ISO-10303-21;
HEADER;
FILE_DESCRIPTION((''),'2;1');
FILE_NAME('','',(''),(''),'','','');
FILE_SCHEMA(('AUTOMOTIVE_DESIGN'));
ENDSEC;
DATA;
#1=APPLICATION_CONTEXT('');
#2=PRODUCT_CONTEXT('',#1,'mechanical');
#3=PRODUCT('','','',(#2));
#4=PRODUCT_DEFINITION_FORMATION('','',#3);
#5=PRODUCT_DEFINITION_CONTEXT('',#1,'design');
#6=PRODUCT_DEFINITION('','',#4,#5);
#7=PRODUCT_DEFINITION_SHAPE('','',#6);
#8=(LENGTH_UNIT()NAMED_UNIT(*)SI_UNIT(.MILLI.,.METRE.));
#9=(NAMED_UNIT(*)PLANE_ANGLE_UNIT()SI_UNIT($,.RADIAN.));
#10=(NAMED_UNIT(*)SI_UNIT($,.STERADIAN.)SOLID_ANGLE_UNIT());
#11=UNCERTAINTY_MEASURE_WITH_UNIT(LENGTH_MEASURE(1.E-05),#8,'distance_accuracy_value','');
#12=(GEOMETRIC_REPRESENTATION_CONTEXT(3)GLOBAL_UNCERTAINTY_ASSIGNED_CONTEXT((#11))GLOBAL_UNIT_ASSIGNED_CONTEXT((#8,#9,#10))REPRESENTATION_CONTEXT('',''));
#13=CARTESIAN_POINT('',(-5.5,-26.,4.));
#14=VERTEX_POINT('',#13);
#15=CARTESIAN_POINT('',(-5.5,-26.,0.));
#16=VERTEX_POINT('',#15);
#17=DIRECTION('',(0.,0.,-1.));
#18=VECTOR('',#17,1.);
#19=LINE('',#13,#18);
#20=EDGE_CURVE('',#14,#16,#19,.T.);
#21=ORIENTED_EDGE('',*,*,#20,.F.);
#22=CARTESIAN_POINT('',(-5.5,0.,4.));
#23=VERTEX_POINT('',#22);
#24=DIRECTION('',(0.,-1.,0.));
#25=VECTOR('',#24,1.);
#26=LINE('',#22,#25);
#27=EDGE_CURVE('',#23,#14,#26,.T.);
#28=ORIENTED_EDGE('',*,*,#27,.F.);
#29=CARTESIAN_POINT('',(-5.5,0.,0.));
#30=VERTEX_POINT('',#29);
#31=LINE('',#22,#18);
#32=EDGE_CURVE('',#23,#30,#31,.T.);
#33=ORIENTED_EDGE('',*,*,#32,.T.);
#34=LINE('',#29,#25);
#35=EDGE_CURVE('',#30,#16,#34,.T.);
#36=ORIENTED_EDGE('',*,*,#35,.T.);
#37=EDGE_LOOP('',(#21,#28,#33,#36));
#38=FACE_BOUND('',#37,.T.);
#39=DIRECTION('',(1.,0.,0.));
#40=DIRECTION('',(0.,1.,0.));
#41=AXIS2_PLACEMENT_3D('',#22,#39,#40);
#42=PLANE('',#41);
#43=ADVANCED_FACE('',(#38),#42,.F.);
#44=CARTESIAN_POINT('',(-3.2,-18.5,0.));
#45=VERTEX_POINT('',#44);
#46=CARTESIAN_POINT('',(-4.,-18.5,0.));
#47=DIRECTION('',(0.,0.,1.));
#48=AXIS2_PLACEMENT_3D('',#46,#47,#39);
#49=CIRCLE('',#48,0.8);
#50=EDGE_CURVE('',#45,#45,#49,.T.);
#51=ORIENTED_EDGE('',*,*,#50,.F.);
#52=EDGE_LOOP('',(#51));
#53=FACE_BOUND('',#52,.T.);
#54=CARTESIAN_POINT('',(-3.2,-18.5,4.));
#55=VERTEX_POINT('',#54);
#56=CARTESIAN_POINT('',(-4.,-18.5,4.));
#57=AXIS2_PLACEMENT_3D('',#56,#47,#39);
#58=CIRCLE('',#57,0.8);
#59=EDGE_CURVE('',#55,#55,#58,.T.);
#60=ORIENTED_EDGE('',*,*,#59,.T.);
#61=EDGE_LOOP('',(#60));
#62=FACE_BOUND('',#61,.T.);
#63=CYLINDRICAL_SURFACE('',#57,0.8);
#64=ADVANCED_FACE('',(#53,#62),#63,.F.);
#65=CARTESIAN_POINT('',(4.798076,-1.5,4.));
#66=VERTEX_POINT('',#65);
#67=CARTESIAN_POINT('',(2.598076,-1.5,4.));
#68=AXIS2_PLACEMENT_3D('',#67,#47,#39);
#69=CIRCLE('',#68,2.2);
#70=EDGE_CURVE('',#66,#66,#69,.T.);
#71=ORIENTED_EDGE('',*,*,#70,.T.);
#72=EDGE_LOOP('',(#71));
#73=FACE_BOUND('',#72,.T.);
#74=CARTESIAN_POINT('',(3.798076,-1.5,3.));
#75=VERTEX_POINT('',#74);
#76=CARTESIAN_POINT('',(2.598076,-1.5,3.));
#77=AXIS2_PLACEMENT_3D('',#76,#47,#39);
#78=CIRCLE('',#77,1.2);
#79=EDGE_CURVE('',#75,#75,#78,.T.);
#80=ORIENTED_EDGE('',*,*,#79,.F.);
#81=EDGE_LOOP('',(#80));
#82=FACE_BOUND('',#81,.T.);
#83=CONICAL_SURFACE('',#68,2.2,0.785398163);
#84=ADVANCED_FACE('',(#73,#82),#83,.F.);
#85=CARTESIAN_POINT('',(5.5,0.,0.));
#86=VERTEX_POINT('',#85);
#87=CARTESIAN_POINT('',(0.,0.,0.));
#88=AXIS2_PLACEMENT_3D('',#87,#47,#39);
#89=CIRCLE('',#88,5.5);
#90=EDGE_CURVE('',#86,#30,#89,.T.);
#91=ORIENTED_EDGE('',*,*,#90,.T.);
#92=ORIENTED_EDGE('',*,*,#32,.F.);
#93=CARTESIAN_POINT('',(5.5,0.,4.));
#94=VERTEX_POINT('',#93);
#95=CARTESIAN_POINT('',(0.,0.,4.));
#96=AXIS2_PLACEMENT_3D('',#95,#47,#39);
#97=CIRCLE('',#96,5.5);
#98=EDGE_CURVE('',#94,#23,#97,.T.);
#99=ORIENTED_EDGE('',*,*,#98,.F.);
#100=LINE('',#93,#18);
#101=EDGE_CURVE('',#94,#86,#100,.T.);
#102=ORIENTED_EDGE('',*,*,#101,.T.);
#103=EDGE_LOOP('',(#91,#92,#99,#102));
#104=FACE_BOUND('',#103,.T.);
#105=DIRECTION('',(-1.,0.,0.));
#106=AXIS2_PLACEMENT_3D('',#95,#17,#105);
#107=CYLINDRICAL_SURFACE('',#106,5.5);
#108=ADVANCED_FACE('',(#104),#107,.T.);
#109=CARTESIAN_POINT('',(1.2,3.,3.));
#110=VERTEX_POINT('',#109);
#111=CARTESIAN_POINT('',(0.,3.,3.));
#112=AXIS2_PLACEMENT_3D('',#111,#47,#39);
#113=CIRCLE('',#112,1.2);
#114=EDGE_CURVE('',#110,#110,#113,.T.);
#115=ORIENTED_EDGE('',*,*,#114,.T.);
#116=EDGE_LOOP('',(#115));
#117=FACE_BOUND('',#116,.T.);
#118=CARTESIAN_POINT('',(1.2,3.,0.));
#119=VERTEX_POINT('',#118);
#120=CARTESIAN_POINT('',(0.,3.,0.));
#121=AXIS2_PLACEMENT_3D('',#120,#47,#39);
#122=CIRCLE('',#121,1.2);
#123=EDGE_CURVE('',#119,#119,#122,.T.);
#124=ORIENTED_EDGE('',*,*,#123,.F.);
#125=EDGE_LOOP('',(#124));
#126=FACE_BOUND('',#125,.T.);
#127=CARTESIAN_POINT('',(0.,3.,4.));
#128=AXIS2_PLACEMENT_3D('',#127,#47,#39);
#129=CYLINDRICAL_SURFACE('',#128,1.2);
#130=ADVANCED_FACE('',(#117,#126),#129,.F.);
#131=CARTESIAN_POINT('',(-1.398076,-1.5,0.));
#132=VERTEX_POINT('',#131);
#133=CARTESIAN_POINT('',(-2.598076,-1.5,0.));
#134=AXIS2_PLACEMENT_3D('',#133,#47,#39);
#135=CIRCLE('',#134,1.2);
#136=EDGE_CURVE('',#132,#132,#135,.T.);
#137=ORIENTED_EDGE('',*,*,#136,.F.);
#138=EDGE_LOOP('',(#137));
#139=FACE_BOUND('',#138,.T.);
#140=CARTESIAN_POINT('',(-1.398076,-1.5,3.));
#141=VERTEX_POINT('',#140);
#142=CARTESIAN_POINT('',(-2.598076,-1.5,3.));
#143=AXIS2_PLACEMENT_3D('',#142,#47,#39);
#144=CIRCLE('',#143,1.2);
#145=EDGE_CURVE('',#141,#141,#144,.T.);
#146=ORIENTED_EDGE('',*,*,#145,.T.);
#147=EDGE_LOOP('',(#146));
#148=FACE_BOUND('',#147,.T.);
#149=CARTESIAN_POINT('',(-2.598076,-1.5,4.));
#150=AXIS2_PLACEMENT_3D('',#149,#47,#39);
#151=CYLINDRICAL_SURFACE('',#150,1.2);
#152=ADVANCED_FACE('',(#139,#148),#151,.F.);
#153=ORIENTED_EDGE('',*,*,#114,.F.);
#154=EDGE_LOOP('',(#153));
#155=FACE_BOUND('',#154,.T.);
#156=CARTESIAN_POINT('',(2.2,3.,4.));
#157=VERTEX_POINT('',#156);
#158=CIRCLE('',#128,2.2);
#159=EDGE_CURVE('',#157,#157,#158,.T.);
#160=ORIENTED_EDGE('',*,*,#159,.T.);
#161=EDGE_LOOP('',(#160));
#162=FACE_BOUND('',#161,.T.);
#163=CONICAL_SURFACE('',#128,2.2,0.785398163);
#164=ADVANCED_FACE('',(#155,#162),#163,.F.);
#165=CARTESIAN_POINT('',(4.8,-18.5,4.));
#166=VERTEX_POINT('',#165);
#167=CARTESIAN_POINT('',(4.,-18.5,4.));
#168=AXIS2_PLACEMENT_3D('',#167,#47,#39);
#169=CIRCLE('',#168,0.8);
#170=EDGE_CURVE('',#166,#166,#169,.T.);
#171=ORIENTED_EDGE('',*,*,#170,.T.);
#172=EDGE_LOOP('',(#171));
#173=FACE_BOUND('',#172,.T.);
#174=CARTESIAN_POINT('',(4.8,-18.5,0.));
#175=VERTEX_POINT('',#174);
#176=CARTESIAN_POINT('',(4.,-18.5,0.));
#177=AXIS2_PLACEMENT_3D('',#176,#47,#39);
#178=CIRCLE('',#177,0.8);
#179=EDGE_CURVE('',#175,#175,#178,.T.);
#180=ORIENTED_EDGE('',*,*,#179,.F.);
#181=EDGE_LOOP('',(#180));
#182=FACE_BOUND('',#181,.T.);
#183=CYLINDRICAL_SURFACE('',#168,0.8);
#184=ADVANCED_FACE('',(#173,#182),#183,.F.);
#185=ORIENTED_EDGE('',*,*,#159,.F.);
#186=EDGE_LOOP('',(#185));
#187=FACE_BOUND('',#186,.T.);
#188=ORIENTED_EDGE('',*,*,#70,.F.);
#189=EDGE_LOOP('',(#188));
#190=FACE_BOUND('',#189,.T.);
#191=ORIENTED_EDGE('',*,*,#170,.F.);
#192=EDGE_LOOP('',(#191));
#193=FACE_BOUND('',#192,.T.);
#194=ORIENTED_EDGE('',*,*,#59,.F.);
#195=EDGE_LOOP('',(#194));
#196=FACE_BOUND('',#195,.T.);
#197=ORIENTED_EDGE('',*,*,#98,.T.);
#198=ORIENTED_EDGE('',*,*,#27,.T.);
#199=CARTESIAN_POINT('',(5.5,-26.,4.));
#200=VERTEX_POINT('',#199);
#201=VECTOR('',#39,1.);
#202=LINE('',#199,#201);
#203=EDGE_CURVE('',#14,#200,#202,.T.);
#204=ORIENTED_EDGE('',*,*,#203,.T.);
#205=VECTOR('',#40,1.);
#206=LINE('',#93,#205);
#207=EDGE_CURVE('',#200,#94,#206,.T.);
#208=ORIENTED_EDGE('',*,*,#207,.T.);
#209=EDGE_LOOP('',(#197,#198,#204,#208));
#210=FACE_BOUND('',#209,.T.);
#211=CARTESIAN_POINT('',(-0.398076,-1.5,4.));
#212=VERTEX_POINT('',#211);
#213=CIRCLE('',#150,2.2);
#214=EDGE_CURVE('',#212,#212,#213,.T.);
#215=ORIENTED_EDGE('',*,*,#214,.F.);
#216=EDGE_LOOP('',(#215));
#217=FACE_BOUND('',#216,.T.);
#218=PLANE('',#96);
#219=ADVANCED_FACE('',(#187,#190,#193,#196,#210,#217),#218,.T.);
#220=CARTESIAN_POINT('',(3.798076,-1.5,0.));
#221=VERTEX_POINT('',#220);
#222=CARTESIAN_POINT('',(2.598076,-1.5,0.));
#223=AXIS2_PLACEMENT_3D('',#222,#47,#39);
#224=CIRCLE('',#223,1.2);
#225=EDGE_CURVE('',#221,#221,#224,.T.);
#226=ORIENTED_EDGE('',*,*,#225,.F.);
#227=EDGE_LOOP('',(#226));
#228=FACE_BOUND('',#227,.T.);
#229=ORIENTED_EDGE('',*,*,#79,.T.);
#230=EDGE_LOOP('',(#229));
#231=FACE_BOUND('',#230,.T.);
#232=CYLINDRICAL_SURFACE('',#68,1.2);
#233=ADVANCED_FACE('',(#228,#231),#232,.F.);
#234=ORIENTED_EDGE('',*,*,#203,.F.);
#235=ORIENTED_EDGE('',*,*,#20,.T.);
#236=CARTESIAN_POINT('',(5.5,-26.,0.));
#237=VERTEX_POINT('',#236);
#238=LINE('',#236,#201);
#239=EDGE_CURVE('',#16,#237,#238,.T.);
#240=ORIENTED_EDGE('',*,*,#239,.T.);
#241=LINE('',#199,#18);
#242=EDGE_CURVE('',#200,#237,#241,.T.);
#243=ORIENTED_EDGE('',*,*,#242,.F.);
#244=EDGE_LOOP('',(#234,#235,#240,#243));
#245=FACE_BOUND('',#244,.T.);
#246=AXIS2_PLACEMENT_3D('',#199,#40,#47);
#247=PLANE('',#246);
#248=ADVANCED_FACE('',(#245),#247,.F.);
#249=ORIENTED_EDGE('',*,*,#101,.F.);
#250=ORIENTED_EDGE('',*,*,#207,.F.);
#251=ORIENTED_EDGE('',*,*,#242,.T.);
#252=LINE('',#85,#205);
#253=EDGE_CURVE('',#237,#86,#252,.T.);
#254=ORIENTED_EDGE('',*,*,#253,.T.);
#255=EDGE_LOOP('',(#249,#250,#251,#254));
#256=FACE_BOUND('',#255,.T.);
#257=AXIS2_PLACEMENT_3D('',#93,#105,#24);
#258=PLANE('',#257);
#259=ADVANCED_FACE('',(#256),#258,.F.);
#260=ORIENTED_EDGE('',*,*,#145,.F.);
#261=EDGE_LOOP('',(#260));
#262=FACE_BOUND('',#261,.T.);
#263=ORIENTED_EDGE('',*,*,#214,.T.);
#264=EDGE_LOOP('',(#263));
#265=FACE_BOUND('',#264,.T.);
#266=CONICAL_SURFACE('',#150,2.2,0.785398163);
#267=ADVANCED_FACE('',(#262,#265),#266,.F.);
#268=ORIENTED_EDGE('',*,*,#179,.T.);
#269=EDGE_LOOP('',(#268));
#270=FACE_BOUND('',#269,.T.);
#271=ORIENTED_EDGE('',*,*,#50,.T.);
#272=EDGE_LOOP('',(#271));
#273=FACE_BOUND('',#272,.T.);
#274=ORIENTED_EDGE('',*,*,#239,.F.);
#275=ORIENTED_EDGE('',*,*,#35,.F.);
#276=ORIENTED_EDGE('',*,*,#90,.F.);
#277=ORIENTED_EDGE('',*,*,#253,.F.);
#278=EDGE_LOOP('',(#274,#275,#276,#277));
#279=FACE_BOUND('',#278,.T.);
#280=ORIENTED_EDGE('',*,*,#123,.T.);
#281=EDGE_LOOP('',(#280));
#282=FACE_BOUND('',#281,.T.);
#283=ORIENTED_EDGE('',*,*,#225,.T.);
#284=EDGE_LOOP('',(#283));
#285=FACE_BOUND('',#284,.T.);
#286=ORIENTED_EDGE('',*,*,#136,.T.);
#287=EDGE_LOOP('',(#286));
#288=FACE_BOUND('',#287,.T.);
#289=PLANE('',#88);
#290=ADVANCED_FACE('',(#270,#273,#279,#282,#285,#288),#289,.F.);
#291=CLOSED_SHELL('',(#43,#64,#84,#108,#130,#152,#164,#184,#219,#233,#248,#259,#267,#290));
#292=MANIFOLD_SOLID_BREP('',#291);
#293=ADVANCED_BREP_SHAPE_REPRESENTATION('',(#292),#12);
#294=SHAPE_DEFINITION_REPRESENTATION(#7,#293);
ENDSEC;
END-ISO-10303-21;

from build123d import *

# Parameters (mm, degrees)
RESSALTO_EXTRUS_O1_DEPTH                             = 4
FURO_ROSCADO_DE_M21_D                                = 1.6
ESCAREADO_PARA_PARAFUSO_COM_CABE_A_ESCAR_D           = 2.4
ESCAREADO_PARA_PARAFUSO_COM_CABE_A_ESCAR_CSINK_D     = 4.4
ESCAREADO_PARA_PARAFUSO_COM_CABE_A_ESCAR_CSINK_ANGLE = 90
PADR_OCIRCULAR1_COUNT                                = 3


with BuildPart() as part:
    # Esboço1 → Ressalto-extrusão1 (new body)
    with BuildSketch(Plane.XY):
        with BuildLine():
            Line((-5.5, 0), (-5.5, -26))
            Line((-5.5, -26), (5.5, -26))
            Line((5.5, -26), (5.5, 0))
            ThreePointArc((5.5, 0), (0, 5.5), (-5.5, 0))
        make_face()
    extrude(amount=RESSALTO_EXTRUS_O1_DEPTH)

    # Furo roscado de M21 (through all)
    with Locations(Plane(origin=(-4, -18.5, 4), x_dir=(1, 0, 0), z_dir=(0, 0, 1))):
        with Locations((0, 0), (8, 0)):
            Hole(FURO_ROSCADO_DE_M21_D / 2)

    # Escareado para parafuso com cabeça escareada chata de M21 (through all)
    with Locations(Plane(origin=(0, 3, 4), x_dir=(1, 0, 0), z_dir=(0, 0, 1))):
        with Locations((0, 0)):
            escareado_para_parafuso_com_cabe_a_escar = CounterSinkHole(ESCAREADO_PARA_PARAFUSO_COM_CABE_A_ESCAR_D / 2, ESCAREADO_PARA_PARAFUSO_COM_CABE_A_ESCAR_CSINK_D / 2, counter_sink_angle=ESCAREADO_PARA_PARAFUSO_COM_CABE_A_ESCAR_CSINK_ANGLE)

    # PadrãoCircular1: Escareado para parafuso com cabeça escareada chata de M21 ×3 about axis
    padr_ocircular1_axis = Axis((0, 0, 0), (0, 0, 1))
    for i in range(1, PADR_OCIRCULAR1_COUNT):
        add(escareado_para_parafuso_com_cabe_a_escar.rotate(padr_ocircular1_axis, i * 360 / PADR_OCIRCULAR1_COUNT), mode=Mode.SUBTRACT)


solid = part.part
